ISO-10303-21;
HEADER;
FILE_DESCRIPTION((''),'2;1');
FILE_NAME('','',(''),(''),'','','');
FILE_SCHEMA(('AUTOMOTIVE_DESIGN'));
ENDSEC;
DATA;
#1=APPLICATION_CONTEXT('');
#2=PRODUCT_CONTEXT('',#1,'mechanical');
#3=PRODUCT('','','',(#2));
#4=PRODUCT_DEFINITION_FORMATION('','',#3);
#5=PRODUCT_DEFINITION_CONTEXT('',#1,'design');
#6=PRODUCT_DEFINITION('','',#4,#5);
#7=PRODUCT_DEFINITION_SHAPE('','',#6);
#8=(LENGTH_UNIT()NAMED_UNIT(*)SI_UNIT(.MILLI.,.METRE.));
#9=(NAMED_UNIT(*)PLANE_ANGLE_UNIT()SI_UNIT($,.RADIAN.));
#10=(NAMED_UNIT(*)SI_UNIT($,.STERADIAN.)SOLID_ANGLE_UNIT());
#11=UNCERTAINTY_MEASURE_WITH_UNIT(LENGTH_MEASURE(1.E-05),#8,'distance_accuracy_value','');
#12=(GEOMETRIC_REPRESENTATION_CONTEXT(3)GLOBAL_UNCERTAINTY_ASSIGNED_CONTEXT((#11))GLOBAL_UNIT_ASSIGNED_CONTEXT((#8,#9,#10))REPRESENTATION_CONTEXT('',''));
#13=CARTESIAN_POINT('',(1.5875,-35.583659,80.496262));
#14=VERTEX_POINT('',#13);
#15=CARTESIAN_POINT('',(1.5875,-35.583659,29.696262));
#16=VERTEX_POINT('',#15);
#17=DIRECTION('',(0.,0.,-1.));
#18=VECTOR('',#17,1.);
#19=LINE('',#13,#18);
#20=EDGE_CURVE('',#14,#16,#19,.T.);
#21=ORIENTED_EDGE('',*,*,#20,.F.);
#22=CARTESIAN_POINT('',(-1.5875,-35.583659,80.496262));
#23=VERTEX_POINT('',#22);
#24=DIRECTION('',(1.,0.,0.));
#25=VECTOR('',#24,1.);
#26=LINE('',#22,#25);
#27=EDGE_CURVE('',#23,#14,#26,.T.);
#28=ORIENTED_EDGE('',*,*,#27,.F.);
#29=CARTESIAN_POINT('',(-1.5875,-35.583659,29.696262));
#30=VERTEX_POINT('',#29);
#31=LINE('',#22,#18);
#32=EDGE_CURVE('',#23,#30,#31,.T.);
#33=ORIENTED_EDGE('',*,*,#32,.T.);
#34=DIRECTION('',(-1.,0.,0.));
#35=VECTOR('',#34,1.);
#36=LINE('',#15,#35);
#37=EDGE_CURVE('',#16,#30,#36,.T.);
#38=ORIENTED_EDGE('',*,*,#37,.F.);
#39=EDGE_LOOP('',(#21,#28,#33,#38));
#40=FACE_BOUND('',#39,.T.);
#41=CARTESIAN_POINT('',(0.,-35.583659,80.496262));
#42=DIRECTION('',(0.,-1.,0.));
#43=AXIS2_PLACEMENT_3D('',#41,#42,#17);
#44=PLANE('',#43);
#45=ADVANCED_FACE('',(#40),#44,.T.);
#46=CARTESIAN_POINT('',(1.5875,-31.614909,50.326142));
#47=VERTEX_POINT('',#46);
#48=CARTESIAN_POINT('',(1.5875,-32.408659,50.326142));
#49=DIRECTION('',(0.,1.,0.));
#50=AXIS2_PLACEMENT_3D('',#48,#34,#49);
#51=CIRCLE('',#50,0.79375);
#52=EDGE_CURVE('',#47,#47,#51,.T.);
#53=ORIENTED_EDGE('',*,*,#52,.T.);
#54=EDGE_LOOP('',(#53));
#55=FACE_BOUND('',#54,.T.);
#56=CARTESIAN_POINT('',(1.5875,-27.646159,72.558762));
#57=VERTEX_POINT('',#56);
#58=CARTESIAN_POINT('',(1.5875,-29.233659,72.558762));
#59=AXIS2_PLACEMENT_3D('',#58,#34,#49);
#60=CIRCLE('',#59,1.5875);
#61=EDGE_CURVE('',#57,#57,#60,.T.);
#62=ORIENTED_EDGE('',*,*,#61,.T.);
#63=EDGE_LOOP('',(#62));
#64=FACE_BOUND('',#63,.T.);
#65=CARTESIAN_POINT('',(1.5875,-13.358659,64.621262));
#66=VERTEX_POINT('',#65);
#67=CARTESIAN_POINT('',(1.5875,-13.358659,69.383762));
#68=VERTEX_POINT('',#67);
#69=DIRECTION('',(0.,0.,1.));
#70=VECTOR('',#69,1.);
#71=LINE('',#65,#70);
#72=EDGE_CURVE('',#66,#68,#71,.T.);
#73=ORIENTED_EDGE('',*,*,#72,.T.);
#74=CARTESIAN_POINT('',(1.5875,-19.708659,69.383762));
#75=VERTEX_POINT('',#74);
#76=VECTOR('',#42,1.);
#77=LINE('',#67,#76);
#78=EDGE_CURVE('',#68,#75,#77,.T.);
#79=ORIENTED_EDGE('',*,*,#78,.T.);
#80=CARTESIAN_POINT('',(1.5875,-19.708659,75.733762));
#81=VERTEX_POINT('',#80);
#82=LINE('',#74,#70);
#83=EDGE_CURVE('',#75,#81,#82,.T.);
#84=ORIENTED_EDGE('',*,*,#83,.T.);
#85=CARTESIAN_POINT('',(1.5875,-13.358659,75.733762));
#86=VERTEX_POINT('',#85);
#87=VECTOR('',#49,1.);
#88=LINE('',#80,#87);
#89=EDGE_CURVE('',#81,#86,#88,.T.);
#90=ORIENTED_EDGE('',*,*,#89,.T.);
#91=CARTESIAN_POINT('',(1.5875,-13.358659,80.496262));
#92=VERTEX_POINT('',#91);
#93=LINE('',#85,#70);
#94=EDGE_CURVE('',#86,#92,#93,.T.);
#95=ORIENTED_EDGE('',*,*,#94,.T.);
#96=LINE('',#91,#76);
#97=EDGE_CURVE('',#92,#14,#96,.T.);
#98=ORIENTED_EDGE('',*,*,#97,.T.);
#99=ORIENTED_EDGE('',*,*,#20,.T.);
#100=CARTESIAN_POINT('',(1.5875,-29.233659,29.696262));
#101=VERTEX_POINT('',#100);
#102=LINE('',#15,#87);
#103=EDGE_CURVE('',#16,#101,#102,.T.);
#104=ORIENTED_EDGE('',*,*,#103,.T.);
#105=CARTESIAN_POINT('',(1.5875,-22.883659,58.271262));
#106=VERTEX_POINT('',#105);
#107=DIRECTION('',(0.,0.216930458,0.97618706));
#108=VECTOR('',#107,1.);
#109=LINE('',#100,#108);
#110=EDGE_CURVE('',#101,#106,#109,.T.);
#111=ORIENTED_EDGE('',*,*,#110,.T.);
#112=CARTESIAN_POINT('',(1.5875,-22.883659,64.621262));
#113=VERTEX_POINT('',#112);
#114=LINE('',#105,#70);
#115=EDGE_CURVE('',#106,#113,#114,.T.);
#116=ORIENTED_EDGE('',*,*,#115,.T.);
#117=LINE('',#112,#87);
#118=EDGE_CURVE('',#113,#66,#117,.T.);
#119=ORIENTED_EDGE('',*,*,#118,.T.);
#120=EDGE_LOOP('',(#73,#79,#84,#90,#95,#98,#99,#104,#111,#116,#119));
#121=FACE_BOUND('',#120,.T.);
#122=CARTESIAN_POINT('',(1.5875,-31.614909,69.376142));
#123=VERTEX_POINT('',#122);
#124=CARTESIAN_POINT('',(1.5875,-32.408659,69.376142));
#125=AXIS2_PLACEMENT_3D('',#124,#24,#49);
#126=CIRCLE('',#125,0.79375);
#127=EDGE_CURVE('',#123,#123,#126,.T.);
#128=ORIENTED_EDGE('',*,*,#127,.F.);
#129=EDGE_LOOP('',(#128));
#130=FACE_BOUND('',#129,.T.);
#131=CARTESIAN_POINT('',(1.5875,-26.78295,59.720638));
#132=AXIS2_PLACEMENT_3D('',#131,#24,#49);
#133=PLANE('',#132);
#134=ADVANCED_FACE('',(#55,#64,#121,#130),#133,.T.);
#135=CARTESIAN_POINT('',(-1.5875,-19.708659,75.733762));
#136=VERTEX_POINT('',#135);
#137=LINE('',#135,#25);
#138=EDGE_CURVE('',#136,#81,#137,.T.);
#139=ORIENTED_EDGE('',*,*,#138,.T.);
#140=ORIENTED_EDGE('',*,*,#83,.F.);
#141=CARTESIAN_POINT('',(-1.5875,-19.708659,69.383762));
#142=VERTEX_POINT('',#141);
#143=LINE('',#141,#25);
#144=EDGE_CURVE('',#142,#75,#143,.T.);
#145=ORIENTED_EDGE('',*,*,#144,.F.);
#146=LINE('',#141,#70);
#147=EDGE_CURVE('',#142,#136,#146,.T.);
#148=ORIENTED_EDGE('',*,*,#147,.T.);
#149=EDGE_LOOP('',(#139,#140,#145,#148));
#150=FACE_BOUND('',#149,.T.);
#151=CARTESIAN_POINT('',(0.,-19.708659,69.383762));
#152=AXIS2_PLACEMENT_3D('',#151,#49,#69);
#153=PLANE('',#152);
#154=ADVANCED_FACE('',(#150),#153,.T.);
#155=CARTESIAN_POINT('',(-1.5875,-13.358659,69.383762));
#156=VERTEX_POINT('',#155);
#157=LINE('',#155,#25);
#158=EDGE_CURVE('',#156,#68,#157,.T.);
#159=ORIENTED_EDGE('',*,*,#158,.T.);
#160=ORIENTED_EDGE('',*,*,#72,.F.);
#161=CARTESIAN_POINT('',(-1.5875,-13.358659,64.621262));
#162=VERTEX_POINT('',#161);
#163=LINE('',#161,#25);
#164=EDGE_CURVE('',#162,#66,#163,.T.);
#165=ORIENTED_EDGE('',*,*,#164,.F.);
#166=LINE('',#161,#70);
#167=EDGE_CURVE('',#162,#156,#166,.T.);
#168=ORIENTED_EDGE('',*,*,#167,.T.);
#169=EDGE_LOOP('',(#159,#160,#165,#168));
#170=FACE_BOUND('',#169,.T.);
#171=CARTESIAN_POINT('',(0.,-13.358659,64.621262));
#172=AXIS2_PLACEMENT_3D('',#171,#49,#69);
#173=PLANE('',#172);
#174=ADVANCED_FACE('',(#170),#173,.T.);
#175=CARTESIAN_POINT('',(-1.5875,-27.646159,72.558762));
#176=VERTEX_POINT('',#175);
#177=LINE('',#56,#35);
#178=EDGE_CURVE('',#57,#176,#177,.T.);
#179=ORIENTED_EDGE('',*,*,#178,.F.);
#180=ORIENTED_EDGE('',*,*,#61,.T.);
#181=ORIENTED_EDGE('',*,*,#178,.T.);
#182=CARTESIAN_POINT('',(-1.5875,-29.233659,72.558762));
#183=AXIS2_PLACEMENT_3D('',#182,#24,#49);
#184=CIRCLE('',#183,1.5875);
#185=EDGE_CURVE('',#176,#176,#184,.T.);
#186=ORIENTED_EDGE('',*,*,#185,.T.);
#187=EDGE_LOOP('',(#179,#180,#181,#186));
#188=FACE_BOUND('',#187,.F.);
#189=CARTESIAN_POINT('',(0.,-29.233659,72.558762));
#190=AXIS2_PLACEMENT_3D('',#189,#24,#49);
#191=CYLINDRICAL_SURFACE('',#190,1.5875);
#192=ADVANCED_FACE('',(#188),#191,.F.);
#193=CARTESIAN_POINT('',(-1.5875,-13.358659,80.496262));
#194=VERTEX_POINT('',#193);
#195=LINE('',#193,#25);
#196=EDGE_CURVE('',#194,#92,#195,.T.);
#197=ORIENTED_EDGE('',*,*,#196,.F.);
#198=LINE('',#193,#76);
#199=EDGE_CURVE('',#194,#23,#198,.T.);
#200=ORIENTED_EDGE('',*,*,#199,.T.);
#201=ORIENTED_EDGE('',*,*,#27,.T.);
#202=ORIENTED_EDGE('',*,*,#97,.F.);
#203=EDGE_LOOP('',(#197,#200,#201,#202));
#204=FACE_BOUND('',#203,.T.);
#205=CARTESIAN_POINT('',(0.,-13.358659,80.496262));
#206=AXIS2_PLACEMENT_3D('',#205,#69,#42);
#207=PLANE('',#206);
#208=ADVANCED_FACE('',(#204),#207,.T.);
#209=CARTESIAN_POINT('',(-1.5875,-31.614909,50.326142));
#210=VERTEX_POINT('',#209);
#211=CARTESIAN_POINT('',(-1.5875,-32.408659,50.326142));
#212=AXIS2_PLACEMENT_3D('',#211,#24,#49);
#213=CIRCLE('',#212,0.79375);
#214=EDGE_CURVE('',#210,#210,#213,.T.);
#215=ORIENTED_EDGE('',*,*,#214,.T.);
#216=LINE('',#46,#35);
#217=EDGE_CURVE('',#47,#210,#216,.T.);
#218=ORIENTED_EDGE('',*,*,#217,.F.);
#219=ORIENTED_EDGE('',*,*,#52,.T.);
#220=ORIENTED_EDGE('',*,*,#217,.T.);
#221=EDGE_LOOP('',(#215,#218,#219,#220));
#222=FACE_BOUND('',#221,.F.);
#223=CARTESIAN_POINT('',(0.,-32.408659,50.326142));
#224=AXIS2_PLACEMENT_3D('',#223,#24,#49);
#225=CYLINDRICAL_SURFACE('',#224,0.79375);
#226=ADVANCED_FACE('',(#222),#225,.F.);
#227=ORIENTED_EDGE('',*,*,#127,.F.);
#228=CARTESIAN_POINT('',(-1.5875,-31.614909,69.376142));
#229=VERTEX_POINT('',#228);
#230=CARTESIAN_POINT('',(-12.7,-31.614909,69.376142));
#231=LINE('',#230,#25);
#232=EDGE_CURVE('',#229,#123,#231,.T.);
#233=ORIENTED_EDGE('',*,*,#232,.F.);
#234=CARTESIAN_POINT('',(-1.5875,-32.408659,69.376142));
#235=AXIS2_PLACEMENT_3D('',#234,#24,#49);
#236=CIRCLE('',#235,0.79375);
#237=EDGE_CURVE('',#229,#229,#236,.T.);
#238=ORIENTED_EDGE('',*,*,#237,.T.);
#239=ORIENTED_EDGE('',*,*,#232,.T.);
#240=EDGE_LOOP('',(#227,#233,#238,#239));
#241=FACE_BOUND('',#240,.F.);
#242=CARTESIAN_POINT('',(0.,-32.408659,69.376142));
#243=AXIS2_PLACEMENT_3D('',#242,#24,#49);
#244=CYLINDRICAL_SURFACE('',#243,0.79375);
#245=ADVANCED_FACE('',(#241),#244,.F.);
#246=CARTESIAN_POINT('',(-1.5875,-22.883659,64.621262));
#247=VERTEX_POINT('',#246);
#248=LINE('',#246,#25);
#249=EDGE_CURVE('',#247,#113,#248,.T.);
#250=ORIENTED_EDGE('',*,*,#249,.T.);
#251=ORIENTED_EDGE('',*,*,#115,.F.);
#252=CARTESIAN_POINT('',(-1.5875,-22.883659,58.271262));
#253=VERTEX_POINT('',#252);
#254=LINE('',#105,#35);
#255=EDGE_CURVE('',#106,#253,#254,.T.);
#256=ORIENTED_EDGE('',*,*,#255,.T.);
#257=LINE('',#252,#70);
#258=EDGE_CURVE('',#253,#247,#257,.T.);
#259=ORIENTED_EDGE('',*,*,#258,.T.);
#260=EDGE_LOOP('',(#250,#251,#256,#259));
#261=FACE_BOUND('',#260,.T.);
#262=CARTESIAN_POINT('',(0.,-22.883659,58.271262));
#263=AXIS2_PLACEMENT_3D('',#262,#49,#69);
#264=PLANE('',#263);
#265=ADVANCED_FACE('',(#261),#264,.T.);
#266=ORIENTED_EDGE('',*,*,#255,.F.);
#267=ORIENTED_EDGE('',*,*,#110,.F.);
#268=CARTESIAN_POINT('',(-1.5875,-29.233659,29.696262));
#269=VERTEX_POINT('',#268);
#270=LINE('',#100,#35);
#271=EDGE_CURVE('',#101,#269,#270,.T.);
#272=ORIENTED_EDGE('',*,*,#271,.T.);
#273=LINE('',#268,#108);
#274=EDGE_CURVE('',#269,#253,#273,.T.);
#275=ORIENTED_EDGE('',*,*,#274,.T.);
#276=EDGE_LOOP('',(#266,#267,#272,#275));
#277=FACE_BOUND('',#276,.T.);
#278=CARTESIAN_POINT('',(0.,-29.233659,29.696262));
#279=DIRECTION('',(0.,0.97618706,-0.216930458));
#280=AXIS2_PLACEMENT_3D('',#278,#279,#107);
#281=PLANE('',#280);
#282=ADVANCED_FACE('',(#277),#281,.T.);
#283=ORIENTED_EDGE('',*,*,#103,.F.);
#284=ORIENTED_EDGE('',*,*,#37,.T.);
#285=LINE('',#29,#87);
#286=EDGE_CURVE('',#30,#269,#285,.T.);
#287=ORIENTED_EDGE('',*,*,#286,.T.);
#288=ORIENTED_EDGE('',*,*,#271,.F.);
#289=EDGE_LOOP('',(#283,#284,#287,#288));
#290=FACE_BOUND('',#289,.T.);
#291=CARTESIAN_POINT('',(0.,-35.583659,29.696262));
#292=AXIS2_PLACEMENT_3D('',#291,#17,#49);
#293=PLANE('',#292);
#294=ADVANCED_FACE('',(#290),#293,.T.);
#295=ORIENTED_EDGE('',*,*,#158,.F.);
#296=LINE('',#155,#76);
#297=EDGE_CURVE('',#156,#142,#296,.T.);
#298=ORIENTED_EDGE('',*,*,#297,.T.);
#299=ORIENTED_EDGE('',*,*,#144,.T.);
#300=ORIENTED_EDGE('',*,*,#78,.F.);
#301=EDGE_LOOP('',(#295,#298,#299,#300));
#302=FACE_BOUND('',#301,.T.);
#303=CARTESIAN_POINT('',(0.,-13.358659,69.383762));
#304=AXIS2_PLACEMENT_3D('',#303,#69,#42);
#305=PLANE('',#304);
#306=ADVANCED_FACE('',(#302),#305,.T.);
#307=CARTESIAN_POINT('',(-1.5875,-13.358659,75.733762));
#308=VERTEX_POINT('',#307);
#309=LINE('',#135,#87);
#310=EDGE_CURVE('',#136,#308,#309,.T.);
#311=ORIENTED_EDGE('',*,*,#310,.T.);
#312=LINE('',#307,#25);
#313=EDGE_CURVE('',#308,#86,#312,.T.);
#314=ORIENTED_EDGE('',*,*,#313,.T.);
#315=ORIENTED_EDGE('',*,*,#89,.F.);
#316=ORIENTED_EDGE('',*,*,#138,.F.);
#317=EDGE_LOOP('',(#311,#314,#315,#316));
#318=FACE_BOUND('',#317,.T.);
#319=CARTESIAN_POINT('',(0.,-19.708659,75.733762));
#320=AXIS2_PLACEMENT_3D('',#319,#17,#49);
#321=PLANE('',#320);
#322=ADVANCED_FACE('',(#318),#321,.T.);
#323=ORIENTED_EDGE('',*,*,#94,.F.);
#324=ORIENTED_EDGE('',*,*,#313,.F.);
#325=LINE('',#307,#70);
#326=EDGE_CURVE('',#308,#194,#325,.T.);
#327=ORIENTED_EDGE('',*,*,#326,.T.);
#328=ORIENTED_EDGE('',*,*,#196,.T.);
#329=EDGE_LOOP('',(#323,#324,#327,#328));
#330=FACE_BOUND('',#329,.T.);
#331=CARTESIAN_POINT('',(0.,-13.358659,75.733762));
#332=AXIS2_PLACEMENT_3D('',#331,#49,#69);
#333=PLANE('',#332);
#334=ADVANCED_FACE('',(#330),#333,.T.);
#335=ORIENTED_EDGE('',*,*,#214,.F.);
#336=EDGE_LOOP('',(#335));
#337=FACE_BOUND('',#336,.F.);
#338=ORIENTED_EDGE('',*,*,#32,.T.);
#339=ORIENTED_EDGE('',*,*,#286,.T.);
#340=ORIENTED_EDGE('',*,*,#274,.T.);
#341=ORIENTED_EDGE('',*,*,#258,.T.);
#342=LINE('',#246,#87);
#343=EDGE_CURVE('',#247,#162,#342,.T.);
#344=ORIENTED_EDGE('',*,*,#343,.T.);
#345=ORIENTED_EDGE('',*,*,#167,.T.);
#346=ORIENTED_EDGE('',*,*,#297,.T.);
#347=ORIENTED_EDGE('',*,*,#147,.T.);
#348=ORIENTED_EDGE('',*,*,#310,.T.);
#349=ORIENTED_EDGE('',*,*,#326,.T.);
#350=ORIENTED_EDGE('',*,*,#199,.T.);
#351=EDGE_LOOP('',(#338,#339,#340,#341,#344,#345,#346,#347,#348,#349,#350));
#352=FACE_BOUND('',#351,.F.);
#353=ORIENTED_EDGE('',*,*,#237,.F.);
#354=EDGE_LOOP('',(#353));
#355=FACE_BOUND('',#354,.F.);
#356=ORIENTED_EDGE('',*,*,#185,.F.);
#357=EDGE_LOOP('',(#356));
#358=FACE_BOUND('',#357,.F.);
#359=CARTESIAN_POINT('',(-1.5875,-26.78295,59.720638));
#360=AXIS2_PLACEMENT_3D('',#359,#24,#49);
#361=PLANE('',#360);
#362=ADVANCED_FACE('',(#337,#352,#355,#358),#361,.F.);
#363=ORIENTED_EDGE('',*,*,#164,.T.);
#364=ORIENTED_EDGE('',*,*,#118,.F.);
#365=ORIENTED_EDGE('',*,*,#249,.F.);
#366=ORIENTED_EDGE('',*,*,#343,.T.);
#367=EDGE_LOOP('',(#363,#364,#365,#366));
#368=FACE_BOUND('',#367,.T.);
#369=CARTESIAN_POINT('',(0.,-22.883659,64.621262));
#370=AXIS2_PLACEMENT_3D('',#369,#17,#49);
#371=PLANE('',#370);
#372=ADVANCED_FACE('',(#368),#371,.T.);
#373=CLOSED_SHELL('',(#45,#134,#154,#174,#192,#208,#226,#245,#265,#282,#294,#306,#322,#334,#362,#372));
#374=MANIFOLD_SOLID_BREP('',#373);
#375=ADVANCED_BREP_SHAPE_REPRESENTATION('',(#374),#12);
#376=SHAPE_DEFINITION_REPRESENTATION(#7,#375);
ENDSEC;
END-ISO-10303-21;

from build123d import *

# Parameters (mm, degrees)
F2_DEPTH = 1.5875
F1_R     = 1.5875
F1_R_2   = 0.79375
F3_DEPTH = 12.7


with BuildPart() as f2:
    # F0 (on Right) → F2 (new body, symmetric)
    with BuildSketch(Plane.YZ):
        Polygon((-22.883659, 58.271262), (-22.883659, 64.621262), (-13.358659, 64.621262), (-13.358659, 69.383762), (-19.708659, 69.383762), (-19.708659, 75.733762), (-13.358659, 75.733762), (-13.358659, 80.496262), (-35.583659, 80.496262), (-35.583659, 29.696262), (-29.233659, 29.696262), align=None)
    extrude(amount=F2_DEPTH, both=True)

    # F1 (on Right) → F3 (cut, symmetric)
    with BuildSketch(Plane.YZ):
        with Locations((-29.233659, 72.558762)):
            Circle(F1_R)
        with Locations((-32.408659, 50.326142)):
            Circle(F1_R_2)
        with Locations((-32.408659, 69.376142)):
            Circle(F1_R_2)
    extrude(amount=F3_DEPTH, both=True, mode=Mode.SUBTRACT)


solid = f2.part
